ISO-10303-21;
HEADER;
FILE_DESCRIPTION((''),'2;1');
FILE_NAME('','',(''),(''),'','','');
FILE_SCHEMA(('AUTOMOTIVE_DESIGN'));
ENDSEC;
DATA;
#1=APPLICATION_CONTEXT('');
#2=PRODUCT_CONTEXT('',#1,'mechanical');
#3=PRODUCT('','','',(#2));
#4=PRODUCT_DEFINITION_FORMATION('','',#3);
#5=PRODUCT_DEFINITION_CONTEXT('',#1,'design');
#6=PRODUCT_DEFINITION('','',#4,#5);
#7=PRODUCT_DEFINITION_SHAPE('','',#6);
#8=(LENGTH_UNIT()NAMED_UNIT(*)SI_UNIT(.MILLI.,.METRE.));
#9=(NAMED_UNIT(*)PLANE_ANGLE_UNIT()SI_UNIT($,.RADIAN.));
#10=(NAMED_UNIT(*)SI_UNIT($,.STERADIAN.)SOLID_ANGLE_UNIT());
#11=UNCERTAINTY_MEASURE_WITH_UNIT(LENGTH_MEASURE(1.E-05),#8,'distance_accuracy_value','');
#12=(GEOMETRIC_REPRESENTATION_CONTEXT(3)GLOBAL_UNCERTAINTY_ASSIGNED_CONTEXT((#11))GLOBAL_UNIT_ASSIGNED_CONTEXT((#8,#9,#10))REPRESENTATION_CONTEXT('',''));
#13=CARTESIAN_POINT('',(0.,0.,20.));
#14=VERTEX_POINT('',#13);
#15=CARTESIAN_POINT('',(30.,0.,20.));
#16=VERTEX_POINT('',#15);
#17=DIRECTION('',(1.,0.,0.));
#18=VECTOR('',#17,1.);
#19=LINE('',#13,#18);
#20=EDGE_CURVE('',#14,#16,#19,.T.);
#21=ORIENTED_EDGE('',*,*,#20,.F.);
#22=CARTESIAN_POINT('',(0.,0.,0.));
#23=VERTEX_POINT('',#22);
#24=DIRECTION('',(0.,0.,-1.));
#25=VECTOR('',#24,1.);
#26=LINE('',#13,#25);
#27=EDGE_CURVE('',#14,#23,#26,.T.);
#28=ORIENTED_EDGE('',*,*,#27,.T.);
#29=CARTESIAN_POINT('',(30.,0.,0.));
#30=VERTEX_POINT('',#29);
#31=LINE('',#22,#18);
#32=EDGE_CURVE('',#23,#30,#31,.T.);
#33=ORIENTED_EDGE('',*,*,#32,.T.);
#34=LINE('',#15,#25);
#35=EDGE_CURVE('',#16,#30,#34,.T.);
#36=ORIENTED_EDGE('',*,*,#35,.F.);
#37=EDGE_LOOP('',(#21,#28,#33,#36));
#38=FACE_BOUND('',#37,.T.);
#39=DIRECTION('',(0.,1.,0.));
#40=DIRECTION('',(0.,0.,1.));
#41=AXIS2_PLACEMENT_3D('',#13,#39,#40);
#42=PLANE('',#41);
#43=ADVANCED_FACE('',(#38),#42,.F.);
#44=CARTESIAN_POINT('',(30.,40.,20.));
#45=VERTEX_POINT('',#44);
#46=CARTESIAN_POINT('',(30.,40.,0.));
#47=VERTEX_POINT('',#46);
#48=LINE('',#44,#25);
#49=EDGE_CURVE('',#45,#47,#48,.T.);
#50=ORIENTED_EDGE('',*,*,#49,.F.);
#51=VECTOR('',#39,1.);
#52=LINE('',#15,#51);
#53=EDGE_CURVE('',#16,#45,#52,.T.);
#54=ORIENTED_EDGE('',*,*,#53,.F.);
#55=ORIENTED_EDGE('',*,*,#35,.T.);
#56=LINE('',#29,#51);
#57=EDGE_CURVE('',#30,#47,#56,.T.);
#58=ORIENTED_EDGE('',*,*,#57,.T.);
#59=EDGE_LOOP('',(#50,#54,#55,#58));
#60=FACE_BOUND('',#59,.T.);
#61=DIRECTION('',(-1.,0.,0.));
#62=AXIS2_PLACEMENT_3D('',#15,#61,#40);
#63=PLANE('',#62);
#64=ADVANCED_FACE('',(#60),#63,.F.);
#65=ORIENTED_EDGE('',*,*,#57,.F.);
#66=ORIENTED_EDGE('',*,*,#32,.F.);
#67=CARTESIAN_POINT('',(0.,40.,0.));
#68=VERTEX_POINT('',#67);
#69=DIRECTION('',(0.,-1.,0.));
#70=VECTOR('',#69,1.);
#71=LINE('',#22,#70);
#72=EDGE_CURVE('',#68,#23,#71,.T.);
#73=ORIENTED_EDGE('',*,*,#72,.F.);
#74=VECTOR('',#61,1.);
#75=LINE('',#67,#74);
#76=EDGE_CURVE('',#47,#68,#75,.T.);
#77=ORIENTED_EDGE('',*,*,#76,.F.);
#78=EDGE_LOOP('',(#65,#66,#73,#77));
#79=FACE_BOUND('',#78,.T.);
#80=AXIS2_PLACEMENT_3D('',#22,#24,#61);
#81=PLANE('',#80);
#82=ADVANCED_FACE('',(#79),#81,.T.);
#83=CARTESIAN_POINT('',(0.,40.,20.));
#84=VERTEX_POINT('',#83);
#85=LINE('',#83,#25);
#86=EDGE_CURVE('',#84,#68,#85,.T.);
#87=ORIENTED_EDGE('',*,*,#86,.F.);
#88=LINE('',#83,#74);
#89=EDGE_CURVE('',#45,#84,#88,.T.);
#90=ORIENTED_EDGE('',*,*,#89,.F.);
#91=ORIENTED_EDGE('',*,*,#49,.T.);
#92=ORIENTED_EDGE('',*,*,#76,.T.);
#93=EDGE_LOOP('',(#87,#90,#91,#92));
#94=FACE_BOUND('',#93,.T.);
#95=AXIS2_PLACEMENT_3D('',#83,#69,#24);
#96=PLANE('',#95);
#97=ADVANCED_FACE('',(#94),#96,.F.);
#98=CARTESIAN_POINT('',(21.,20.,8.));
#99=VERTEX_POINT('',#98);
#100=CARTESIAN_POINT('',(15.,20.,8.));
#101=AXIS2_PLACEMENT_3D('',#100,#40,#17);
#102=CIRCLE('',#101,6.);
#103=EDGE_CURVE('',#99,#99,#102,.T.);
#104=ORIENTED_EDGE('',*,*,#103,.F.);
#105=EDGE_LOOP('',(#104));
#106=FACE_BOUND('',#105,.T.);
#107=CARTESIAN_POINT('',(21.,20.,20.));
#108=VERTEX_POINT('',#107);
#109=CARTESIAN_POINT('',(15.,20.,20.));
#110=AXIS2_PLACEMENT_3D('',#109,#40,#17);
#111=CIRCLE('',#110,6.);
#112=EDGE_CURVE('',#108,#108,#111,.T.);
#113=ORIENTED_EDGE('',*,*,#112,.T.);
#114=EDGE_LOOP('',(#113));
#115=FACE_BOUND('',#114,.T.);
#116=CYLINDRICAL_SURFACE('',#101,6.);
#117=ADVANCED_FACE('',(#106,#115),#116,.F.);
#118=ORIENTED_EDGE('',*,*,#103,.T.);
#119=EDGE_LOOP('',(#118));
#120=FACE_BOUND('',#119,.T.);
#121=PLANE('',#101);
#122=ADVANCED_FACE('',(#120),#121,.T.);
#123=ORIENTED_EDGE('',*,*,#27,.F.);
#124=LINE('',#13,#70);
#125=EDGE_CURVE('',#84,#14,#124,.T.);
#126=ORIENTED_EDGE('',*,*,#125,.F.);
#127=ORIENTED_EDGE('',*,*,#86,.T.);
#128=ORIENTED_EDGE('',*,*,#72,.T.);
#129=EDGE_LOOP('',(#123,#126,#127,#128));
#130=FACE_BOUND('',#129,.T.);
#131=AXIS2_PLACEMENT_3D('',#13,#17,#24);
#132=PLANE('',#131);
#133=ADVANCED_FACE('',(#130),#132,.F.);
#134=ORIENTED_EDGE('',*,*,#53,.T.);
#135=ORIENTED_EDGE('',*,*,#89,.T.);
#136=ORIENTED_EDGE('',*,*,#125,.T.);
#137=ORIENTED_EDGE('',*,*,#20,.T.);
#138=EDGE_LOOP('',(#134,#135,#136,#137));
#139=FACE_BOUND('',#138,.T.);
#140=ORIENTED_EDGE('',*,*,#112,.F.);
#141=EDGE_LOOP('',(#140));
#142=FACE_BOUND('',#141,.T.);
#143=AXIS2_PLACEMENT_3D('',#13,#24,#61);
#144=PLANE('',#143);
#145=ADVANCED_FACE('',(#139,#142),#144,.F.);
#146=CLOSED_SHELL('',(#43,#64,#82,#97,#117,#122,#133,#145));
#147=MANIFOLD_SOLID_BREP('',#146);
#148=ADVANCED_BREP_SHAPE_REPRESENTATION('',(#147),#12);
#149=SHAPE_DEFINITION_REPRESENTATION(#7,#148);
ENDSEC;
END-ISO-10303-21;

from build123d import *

# Parameters (mm, degrees)
SKETCH1_W           = 30
SKETCH1_H           = 40
BOSS_EXTRUDE1_DEPTH = 20
SKETCH2_R           = 6
CUT_EXTRUDE1_DEPTH  = 12


with BuildPart() as part:
    # Sketch1 → Boss-Extrude1 (new body)
    with BuildSketch(Plane.XY):
        with Locations((15, 20)):
            Rectangle(SKETCH1_W, SKETCH1_H)
    extrude(amount=BOSS_EXTRUDE1_DEPTH)

    # Sketch2 → Cut-Extrude1 (cut)
    with BuildSketch(Plane.XY.offset(20)):
        with Locations((15, 20)):
            Circle(SKETCH2_R)
    extrude(amount=-CUT_EXTRUDE1_DEPTH, mode=Mode.SUBTRACT)


solid = part.part
